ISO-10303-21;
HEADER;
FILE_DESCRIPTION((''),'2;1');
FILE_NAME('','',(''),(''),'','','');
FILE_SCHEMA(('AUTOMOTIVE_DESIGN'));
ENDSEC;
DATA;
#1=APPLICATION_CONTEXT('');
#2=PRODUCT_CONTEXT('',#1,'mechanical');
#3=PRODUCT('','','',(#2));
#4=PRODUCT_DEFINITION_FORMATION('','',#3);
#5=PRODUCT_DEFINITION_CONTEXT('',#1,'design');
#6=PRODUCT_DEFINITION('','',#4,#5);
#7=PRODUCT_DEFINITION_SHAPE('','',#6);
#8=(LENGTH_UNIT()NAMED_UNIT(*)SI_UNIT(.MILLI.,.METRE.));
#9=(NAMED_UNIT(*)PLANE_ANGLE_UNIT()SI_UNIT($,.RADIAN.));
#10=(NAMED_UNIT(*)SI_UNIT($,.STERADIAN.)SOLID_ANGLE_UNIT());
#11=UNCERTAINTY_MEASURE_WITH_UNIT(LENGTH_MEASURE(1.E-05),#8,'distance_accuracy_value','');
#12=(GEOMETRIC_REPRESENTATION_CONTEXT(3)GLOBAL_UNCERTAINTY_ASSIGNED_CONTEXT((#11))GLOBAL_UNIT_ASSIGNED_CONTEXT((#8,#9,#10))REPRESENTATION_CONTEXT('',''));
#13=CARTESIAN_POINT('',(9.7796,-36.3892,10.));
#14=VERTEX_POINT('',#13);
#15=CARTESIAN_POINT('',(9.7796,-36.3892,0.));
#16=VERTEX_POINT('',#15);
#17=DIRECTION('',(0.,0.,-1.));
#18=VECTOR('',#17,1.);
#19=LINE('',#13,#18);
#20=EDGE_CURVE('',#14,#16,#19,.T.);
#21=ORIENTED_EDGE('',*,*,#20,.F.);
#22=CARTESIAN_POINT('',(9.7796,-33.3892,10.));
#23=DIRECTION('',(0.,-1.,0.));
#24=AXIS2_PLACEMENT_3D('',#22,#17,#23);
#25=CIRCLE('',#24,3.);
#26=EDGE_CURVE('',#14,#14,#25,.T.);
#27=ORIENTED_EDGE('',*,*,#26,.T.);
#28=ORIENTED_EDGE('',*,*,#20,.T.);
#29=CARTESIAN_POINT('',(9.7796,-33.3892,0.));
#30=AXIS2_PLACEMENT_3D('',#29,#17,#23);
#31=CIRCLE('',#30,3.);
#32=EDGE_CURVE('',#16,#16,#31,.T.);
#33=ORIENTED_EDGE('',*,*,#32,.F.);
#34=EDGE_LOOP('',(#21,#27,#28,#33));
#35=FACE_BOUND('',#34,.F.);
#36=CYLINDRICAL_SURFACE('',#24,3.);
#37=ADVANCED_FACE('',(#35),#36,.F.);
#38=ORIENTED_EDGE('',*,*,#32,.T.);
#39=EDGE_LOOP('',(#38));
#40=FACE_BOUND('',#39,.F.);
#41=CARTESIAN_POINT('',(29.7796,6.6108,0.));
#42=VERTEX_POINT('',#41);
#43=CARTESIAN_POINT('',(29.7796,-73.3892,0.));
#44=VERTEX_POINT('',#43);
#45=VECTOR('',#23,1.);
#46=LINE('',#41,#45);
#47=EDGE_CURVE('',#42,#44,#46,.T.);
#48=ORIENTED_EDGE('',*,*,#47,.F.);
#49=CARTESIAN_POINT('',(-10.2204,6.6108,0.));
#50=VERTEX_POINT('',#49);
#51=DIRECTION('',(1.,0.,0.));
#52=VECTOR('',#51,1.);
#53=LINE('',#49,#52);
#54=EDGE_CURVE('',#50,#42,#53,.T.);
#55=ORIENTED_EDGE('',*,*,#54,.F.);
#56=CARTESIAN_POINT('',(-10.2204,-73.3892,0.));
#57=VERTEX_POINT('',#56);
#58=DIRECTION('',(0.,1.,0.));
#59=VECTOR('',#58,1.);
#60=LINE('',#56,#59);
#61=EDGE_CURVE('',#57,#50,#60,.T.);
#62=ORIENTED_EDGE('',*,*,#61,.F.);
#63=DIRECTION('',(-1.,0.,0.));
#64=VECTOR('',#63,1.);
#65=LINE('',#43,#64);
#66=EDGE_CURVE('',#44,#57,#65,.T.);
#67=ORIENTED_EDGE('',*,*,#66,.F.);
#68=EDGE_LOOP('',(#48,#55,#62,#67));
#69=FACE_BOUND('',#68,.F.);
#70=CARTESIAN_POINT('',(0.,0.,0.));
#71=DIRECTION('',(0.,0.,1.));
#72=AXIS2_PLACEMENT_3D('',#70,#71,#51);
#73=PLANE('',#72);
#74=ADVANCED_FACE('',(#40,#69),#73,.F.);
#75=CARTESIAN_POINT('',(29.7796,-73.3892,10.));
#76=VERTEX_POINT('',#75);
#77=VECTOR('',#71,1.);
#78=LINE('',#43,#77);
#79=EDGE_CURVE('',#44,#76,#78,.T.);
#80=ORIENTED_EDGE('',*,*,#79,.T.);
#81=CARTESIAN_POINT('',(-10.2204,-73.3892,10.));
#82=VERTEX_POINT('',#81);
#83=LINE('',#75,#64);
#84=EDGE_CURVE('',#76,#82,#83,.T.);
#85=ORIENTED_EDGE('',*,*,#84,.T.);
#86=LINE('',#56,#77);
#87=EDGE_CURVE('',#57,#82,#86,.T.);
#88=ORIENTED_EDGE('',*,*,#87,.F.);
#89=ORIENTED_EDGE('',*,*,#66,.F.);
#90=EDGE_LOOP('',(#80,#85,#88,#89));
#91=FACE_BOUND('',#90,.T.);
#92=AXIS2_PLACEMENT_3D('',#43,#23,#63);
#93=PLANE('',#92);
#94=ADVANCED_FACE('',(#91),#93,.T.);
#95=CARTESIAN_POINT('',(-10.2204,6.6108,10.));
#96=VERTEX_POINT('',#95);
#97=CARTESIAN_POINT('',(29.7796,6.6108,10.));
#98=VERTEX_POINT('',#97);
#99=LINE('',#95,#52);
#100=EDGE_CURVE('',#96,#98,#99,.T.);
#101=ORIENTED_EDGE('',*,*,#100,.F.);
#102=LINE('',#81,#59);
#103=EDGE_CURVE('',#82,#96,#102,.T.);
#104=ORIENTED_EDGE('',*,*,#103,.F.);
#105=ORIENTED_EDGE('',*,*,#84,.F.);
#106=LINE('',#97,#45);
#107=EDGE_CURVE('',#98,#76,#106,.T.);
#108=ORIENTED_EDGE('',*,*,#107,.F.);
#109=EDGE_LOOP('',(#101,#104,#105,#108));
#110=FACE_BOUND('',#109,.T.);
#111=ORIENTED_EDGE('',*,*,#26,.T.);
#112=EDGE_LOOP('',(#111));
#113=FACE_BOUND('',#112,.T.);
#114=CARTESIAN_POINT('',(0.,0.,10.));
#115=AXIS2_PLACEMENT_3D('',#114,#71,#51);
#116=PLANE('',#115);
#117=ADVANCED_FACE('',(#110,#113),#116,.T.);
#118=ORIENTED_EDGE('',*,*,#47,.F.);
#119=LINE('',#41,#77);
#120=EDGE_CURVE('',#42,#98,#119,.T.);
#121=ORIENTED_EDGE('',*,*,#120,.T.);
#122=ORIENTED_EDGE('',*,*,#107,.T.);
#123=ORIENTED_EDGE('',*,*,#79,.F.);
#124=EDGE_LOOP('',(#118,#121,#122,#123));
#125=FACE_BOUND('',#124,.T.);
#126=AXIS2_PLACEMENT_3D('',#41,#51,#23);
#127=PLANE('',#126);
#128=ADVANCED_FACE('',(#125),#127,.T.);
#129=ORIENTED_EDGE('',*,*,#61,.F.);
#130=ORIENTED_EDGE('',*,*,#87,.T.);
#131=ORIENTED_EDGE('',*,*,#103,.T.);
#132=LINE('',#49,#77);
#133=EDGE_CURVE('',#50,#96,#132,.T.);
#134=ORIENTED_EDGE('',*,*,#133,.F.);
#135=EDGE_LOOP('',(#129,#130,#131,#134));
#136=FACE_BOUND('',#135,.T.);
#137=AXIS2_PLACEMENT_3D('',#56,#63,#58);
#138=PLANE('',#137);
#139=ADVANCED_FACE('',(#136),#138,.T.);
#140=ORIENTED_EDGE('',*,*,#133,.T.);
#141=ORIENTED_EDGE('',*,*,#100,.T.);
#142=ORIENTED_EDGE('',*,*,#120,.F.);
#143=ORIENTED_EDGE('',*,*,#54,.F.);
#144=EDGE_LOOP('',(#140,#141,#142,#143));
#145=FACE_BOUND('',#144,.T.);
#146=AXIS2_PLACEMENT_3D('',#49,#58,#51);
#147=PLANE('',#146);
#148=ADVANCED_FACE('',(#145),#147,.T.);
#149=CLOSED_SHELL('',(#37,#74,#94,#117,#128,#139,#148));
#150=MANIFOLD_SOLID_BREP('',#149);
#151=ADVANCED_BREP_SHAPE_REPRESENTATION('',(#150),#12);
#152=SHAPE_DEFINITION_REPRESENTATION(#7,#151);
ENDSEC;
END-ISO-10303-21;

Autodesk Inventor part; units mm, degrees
ref_plane "YZ Plane" through (0, 0, 0) normal (1, 0, 0) x (0, 1, 0)
ref_plane "XZ Plane" through (0, 0, 0) normal (0, 1, 0) x (-1, 0, 0)
ref_plane "XY Plane" through (0, 0, 0) normal (0, 0, 1) x (1, 0, 0)
sketch "スケッチ1" plane through (0, 0, 0) normal (0, 0, 1) x (1, 0, 0)
  line L0 (-10.2204, 6.6108) -> (29.7796, 6.6108)
  line L1 (29.7796, 6.6108) -> (29.7796, -73.3892)
  line L2 (29.7796, -73.3892) -> (-10.2204, -73.3892)
  line L3 (-10.2204, -73.3892) -> (-10.2204, 6.6108)
  point P0 (0, 0)
  dimension "d0" = 40
  dimension "d1" = 80
extrude "押し出し1" add sketch "スケッチ1" along normal blind 10
sketch "スケッチ2" plane through (0, 0, 10) normal (0, 0, 1) x (1, 0, 0)
  circle A0 centre (9.7796, -33.3892) radius 3
  line L0 (29.7796, 6.6108) -> (-10.2204, 6.6108) projected
  line L1 (-10.2204, 6.6108) -> (-10.2204, -73.3892) projected
  point P0 (0, 0)
  dimension "d4" = 6
  dimension "d5" = 40
  dimension "d6" = 20
hole "穴1" at (9.7796, -33.3892, 10) direction (0, 0, -1) diameter 6 depth 10
equation "\"BendRadius\" = Thickness"
equation "\"BendReliefWidth\" = Thickness"
equation "\"BendReliefDepth\" = 0.5 * Thickness"
equation "\"CornerReliefSize\" = 4 * Thickness"
equation "\"MinimumRemnant\" = 2 * Thickness"
equation "\"TransitionRadius\" = BendRadius"
equation "\"JacobiRadiusSize\" = BendRadius"
equation "\"GapSize\" = Thickness"
equation "\"Thickness\" = 0.5"
